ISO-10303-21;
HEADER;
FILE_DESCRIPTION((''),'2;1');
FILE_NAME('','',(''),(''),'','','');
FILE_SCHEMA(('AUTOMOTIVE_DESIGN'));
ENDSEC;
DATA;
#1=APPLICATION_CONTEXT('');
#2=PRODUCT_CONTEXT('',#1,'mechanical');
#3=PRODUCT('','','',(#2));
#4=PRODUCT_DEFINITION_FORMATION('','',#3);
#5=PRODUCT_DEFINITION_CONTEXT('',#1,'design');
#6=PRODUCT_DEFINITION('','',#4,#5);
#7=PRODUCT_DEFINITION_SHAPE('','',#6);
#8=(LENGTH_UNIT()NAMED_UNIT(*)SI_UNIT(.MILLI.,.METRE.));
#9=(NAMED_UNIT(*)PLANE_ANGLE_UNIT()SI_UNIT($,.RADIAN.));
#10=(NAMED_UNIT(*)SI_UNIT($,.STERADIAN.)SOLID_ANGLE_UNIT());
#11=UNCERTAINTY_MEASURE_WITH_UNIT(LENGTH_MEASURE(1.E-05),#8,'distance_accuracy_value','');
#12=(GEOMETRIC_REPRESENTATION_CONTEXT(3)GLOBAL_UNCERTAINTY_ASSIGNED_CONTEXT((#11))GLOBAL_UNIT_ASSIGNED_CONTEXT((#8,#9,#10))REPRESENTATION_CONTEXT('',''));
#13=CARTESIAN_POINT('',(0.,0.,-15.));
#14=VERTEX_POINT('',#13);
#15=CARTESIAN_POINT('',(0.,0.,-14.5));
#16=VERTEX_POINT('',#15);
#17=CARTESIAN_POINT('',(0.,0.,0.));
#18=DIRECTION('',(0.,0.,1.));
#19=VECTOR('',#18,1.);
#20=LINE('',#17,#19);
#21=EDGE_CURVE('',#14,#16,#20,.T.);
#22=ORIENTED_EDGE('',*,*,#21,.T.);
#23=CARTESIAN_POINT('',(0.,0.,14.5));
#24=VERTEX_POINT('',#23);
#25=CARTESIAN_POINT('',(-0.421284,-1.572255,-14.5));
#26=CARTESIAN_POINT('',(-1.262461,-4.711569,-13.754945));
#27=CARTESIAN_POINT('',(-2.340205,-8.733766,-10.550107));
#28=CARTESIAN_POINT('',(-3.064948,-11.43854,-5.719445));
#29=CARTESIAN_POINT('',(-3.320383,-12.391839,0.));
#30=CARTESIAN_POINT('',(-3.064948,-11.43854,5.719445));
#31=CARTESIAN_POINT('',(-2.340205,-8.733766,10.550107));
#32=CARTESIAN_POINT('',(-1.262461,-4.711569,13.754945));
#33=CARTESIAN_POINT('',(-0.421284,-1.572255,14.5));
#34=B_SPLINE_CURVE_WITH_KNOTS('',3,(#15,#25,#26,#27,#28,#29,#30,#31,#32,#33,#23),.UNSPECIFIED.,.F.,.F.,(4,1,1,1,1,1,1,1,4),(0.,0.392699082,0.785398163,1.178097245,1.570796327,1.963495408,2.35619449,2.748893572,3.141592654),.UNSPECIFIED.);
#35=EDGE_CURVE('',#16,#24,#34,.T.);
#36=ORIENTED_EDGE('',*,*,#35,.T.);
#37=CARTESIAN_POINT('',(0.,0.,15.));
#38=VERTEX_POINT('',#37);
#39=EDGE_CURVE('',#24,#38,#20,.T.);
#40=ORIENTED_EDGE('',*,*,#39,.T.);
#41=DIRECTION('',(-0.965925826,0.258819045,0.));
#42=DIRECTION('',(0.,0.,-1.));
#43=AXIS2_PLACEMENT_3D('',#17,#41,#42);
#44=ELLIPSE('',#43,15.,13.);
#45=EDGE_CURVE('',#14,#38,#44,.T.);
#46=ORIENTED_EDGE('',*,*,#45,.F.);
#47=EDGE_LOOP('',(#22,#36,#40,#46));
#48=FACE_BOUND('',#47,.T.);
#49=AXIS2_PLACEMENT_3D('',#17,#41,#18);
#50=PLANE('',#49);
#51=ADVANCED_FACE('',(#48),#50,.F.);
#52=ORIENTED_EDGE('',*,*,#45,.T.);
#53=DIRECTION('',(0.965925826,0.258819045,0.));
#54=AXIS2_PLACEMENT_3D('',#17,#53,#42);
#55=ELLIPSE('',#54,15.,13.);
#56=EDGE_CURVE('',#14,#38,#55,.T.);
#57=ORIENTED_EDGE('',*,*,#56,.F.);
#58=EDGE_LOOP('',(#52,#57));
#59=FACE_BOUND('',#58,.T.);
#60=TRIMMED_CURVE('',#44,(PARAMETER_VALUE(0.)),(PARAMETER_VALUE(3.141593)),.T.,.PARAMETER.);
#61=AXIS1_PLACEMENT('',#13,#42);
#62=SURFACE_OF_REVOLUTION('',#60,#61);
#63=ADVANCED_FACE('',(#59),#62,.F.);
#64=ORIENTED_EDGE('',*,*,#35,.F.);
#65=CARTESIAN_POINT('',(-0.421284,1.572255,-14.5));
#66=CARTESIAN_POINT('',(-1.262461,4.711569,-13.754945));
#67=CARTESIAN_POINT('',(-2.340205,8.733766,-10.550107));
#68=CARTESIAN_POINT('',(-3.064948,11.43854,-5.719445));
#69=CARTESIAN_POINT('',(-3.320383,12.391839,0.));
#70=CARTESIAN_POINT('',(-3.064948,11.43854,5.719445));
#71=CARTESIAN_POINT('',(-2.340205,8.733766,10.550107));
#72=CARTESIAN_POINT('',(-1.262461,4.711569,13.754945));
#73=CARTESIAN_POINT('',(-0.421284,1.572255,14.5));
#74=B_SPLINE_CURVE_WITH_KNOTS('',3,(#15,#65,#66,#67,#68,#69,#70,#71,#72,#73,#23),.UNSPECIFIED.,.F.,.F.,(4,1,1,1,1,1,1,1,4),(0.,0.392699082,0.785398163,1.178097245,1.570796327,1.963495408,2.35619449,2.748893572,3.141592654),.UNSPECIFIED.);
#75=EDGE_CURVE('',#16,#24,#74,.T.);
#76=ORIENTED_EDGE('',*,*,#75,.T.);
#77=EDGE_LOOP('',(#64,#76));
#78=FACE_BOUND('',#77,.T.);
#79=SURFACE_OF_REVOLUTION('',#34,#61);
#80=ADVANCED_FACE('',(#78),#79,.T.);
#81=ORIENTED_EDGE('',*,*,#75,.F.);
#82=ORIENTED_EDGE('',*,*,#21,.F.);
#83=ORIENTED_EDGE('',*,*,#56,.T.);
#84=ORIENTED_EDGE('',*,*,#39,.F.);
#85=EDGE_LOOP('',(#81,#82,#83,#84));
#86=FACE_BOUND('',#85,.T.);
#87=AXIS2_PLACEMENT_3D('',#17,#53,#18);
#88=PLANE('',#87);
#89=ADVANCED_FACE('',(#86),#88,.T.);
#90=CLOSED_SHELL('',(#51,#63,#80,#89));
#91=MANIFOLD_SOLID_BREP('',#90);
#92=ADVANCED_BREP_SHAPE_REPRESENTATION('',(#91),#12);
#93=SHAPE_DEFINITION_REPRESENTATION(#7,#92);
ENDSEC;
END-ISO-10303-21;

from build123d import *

# Parameters (mm, degrees)
REVOLVE2_ANGLE           = 75
REVOLVE2_OTHER_WAY_ANGLE = 75


with BuildPart() as part:
    # Sketch4 → Revolve2 (revolve)
    with BuildSketch(Plane(origin=(0, 0, 0), x_dir=(1, 0, 0), z_dir=(0, 1, 0))):
        with BuildLine():
            add(Edge.make_bspline(
                [(0, 14.5), (-1.627718152, 14.5), (-4.877775506, 13.754945412), (-9.041859421, 10.55010702), (-11.842048496, 5.719445199), (-12.828975752, 0), (-11.842048496, -5.719445199), (-9.041859421, -10.55010702), (-4.877775506, -13.754945412), (-1.627718152, -14.5), (0, -14.5)],
                knots=[0, 0, 0, 0, 0.392699082, 0.785398163, 1.178097245, 1.570796327, 1.963495408, 2.35619449, 2.748893572, 3.141592654, 3.141592654, 3.141592654, 3.141592654], degree=3))
            Line((0, -14.5), (0, -15))
            add(Edge.make_bspline(
                [(-10.583663309, 8.710282968), (-25.240396162, -15), (0, -15)],
                knots=[0.951225845, 0.951225845, 0.951225845, 3.141592654, 3.141592654, 3.141592654], degree=2, weights=[1, 0.457883429, 1]))
            add(Edge.make_bspline(
                [(0, 15), (-6.695615985, 15), (-10.583663309, 8.710282968)],
                knots=[3.141592654, 3.141592654, 3.141592654, 4.092818499, 4.092818499, 4.092818499], degree=2, weights=[1, 0.889012242, 1]))
            Line((0, 15), (0, 14.5))
        make_face()
    revolve(axis=Axis((0, 0, -15), (0, 0, 1)), revolution_arc=REVOLVE2_ANGLE)

    # Sketch4 → Revolve2 other way (revolve)
    with BuildSketch(Plane(origin=(0, 0, 0), x_dir=(1, 0, 0), z_dir=(0, 1, 0))):
        with BuildLine():
            add(Edge.make_bspline(
                [(0, 14.5), (-1.627718152, 14.5), (-4.877775506, 13.754945412), (-9.041859421, 10.55010702), (-11.842048496, 5.719445199), (-12.828975752, 0), (-11.842048496, -5.719445199), (-9.041859421, -10.55010702), (-4.877775506, -13.754945412), (-1.627718152, -14.5), (0, -14.5)],
                knots=[0, 0, 0, 0, 0.392699082, 0.785398163, 1.178097245, 1.570796327, 1.963495408, 2.35619449, 2.748893572, 3.141592654, 3.141592654, 3.141592654, 3.141592654], degree=3))
            Line((0, -14.5), (0, -15))
            add(Edge.make_bspline(
                [(-10.583663309, 8.710282968), (-25.240396162, -15), (0, -15)],
                knots=[0.951225845, 0.951225845, 0.951225845, 3.141592654, 3.141592654, 3.141592654], degree=2, weights=[1, 0.457883429, 1]))
            add(Edge.make_bspline(
                [(0, 15), (-6.695615985, 15), (-10.583663309, 8.710282968)],
                knots=[3.141592654, 3.141592654, 3.141592654, 4.092818499, 4.092818499, 4.092818499], degree=2, weights=[1, 0.889012242, 1]))
            Line((0, 15), (0, 14.5))
        make_face()
    revolve(axis=Axis((0, 0, -15), (0, 0, -1)), revolution_arc=REVOLVE2_OTHER_WAY_ANGLE)


solid = part.part
